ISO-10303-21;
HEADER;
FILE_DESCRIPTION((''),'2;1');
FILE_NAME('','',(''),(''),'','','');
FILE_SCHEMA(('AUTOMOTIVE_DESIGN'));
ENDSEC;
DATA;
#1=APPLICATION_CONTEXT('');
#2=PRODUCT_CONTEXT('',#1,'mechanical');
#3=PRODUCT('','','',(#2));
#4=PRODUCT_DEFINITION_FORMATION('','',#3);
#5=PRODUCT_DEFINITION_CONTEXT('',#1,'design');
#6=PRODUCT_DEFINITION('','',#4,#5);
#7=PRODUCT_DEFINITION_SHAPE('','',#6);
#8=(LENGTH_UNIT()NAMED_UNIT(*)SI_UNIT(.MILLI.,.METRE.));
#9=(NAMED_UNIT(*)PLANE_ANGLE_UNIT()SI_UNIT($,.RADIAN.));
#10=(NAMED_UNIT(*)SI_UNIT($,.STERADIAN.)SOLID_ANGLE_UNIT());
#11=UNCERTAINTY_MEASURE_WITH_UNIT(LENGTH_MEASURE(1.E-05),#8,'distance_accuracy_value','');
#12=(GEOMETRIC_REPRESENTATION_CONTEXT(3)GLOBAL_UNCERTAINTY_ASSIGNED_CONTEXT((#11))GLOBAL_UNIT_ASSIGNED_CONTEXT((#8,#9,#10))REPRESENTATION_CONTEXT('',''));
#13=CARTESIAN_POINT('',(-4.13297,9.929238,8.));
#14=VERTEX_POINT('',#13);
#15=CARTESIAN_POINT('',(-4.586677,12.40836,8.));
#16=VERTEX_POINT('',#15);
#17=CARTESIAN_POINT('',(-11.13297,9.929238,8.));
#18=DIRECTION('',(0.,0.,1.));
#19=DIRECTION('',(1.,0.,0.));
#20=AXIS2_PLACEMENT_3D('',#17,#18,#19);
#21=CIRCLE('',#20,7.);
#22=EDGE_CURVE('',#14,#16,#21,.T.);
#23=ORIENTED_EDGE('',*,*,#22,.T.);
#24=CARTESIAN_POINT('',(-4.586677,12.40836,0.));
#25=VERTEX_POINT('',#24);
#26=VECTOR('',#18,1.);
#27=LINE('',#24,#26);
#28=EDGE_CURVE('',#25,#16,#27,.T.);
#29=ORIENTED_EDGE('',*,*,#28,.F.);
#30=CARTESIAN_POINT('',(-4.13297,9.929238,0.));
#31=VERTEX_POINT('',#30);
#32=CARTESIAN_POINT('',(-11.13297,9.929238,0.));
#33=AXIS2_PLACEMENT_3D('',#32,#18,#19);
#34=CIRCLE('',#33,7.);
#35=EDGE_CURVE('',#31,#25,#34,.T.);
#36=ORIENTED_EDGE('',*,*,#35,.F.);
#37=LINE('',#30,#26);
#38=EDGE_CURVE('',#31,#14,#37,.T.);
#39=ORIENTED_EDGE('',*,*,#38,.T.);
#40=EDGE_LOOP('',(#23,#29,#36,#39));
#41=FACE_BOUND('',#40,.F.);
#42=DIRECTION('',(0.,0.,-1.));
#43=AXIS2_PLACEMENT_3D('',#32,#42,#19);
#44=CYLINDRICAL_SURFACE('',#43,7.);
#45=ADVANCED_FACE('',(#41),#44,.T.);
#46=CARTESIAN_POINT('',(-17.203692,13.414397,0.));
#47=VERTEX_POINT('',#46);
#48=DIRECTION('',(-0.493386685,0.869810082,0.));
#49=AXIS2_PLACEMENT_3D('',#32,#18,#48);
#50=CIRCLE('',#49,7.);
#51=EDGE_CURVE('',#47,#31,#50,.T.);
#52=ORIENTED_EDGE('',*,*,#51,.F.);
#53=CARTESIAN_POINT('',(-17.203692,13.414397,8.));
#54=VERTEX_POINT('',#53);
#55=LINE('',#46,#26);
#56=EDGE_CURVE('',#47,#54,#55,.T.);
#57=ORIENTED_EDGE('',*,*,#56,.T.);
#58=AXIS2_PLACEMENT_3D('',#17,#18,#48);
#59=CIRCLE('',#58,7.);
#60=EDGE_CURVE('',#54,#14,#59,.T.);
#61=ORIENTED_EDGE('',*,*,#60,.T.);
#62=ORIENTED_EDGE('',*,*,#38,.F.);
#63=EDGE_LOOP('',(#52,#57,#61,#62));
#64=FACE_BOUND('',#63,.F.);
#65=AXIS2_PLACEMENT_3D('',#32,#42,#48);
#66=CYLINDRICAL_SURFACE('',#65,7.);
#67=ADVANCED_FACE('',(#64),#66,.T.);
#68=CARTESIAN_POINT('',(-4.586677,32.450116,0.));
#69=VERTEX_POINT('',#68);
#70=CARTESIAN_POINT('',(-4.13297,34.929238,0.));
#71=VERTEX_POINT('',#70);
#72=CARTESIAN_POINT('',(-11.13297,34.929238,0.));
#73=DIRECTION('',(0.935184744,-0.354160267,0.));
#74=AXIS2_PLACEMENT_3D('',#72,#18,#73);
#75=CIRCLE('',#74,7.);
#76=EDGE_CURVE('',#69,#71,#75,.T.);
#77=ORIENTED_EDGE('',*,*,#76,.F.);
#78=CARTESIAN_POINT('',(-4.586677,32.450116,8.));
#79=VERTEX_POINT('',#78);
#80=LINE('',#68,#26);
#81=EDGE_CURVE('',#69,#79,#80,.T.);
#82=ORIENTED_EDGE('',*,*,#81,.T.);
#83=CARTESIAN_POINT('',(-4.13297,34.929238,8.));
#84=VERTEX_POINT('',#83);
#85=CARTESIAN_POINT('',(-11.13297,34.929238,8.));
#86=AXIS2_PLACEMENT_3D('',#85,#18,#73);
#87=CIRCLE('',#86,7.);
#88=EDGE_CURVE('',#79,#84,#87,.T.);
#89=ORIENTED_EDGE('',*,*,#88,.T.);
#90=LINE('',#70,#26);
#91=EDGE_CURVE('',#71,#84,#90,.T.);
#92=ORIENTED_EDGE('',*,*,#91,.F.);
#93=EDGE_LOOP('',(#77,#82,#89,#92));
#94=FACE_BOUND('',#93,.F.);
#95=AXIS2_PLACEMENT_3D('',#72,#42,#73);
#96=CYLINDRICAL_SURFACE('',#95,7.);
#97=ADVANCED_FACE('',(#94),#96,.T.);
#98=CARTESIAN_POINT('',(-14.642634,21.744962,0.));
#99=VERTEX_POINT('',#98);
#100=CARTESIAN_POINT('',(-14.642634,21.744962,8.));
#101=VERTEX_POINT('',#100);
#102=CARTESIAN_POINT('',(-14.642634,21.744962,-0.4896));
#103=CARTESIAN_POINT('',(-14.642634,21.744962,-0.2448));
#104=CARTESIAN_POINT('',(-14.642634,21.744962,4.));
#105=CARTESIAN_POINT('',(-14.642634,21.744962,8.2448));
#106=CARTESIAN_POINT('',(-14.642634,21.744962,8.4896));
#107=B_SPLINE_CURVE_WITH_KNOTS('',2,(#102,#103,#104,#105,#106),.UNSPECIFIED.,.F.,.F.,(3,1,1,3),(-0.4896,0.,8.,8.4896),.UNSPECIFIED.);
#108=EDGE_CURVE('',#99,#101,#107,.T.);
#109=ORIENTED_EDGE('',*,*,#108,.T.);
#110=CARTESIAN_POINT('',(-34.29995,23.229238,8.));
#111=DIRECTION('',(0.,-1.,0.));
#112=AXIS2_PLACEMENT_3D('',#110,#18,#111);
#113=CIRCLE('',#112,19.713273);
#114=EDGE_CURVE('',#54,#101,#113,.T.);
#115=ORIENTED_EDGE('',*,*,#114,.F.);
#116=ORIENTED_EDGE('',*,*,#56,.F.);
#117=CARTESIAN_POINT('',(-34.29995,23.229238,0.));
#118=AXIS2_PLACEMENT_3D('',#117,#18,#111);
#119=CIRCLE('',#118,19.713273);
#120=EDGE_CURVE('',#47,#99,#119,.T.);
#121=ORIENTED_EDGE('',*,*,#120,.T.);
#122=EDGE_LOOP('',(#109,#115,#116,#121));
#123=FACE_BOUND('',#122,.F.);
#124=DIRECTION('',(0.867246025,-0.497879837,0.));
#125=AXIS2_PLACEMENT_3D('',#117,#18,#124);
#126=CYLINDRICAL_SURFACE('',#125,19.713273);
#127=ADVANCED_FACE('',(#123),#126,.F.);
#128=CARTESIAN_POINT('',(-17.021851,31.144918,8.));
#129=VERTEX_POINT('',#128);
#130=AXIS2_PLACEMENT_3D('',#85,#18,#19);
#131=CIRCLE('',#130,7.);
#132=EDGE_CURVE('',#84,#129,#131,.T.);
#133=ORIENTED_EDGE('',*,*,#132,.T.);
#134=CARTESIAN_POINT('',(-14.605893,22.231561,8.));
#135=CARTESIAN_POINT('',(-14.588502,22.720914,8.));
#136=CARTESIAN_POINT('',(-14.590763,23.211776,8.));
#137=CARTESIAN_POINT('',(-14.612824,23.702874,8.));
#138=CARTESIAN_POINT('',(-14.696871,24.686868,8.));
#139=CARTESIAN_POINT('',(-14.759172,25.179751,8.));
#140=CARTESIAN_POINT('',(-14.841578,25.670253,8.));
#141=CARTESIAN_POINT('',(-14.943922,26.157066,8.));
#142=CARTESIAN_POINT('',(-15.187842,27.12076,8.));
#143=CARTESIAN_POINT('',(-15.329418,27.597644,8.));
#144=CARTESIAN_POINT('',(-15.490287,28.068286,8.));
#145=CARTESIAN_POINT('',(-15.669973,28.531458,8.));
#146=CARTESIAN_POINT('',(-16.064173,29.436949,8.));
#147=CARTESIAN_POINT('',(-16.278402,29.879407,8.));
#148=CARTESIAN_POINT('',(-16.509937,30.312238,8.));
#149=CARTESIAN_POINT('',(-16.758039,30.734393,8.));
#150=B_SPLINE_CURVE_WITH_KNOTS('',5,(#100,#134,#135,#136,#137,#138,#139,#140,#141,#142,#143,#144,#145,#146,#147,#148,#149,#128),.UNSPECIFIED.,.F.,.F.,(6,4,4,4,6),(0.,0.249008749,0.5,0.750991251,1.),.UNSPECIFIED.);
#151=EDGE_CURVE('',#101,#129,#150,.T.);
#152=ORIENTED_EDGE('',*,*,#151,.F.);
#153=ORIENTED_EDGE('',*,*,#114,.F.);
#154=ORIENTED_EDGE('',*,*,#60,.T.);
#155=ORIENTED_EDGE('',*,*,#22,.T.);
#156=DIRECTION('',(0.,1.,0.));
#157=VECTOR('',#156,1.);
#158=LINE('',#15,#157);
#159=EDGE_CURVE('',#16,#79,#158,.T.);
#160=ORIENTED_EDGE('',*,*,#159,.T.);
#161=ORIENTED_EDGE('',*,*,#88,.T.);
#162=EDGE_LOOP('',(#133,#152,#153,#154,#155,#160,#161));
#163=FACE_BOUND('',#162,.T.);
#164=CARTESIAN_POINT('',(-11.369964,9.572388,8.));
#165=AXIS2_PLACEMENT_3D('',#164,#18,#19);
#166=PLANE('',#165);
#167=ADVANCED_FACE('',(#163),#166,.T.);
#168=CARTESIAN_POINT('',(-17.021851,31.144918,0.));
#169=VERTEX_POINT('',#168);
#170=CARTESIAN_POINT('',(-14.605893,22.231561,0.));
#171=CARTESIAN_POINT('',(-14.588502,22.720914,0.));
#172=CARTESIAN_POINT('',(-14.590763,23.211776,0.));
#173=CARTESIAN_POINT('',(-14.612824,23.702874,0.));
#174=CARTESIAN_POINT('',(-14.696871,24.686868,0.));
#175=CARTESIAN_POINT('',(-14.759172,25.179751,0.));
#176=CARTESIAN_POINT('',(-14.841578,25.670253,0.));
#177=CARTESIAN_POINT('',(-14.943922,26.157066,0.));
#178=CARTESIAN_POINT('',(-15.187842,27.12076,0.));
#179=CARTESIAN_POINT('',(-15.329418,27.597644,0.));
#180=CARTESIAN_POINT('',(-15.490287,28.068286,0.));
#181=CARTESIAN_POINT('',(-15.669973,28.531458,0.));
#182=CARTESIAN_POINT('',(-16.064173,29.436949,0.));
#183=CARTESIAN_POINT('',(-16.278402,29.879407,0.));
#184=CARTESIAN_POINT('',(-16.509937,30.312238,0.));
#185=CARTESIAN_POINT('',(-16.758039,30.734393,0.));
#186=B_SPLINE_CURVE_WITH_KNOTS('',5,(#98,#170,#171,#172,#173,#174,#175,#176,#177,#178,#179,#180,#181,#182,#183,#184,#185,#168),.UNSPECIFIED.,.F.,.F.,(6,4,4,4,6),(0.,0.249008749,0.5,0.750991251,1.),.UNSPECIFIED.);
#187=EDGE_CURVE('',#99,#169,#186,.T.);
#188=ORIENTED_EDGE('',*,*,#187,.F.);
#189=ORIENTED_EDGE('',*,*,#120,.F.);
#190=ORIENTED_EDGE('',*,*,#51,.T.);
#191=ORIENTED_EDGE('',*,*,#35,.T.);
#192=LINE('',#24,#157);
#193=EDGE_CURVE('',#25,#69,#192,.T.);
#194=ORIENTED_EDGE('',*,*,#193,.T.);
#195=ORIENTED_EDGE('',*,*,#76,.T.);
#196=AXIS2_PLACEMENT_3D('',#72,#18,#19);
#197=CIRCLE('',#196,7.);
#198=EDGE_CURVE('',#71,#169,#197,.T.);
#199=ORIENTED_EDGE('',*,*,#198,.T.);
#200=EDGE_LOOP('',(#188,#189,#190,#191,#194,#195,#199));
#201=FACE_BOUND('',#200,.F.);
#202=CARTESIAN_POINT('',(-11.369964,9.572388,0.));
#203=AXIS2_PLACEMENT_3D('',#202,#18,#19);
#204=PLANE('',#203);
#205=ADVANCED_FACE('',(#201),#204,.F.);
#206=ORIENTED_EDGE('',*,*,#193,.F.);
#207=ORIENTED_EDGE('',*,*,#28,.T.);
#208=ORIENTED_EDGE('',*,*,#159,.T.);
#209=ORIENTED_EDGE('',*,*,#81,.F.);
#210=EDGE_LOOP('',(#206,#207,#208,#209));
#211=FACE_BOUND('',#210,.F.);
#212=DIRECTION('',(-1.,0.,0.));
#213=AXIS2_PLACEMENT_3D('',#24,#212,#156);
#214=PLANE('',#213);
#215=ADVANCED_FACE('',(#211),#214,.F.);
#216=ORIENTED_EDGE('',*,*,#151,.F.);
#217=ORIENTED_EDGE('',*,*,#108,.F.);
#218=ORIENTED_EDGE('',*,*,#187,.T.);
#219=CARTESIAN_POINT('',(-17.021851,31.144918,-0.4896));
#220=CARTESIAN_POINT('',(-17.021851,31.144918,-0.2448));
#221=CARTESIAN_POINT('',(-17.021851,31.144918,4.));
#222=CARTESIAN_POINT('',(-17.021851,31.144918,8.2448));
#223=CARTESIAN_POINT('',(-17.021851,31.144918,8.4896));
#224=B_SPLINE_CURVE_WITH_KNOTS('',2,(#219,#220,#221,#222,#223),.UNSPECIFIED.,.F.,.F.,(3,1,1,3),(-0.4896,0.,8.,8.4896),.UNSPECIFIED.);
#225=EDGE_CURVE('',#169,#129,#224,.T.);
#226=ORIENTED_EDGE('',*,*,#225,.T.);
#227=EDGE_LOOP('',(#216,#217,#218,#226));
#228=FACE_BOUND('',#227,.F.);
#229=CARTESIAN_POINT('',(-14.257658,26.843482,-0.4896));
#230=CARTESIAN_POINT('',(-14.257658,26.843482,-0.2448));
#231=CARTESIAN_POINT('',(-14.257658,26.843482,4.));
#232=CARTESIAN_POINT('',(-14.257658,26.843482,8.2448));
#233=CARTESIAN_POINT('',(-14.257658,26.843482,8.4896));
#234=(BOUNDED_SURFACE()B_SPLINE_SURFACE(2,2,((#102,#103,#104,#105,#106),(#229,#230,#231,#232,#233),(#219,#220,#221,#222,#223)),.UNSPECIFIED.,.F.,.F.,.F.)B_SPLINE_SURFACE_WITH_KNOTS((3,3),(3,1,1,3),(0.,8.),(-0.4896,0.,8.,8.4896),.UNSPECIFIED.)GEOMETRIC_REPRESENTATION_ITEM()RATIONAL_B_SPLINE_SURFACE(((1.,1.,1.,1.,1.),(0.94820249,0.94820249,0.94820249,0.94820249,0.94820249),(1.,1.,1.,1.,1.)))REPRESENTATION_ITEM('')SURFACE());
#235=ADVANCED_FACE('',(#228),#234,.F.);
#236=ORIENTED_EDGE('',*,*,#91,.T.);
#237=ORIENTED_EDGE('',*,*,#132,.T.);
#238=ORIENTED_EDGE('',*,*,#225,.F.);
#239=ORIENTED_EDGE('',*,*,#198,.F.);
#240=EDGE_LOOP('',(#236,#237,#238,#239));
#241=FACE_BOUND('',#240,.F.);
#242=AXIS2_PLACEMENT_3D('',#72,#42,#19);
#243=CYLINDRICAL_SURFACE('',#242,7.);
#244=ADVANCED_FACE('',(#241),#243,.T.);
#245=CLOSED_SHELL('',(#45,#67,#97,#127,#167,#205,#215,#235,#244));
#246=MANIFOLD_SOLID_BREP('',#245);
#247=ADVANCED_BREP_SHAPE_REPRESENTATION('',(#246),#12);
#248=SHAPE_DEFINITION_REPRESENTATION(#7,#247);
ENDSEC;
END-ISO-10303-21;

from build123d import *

# Parameters (mm, degrees)
F0_R     = 0.75
F1_DEPTH = 8
F2_R     = 19.7132732736
F3_R     = 15.261888986


with BuildPart() as f1:
    # F0 (on Top) → F1 (new body)
    with BuildSketch(Plane.XY):
        with BuildLine():
            Line((-14.586677067, 11.8301414847), (-14.586677067, 16.0179088211))
            ThreePointArc((-14.586677067, 16.0179088211), (-14.6560408436, 3.8804388779), (-4.1329702753, 9.929238244))
            ThreePointArc((-4.1329702753, 9.929238244), (-4.2473311453, 11.189386557), (-4.586677067, 12.4083601108))
            Line((-4.586677067, 12.4083601108), (-4.586677067, 11.8301414847))
            Line((-4.586677067, 11.8301414847), (-14.586677067, 11.8301414847))
        make_face()
        with BuildLine():
            Line((-14.586677067, 32.8301414847), (-14.586677067, 28.8405676668))
            ThreePointArc((-14.586677067, 28.8405676668), (-8.7563690973, 28.3450323814), (-4.586677067, 32.4501163771))
            Line((-4.586677067, 32.4501163771), (-4.586677067, 32.8301414847))
            Line((-4.586677067, 32.8301414847), (-14.586677067, 32.8301414847))
        make_face()
        with BuildLine():
            ThreePointArc((-4.586677067, 32.4501163771), (-8.7563690973, 28.3450323814), (-14.586677067, 28.8405676668))
            Line((-14.586677067, 28.8405676668), (-14.586677067, 16.0179088211))
            ThreePointArc((-14.586677067, 16.0179088211), (-8.7563690973, 16.5134441066), (-4.586677067, 12.4083601108))
            Line((-4.586677067, 12.4083601108), (-4.586677067, 32.4501163771))
        make_face()
        with BuildLine():
            ThreePointArc((-4.586677067, 32.4501163771), (-4.2473311453, 33.6690899309), (-4.1329702753, 34.929238244))
            ThreePointArc((-4.1329702753, 34.929238244), (-14.6560408436, 40.97803761), (-14.586677067, 28.8405676668))
            Line((-14.586677067, 28.8405676668), (-14.586677067, 32.8301414847))
            Line((-14.586677067, 32.8301414847), (-4.586677067, 32.8301414847))
            Line((-4.586677067, 32.8301414847), (-4.586677067, 32.4501163771))
        make_face()
        with Locations((-11.1329702753, 34.929238244)):
            Circle(F0_R, mode=Mode.SUBTRACT)
        with BuildLine():
            ThreePointArc((-4.586677067, 12.4083601108), (-8.7563690973, 16.5134441066), (-14.586677067, 16.0179088211))
            Line((-14.586677067, 16.0179088211), (-14.586677067, 11.8301414847))
            Line((-14.586677067, 11.8301414847), (-4.586677067, 11.8301414847))
            Line((-4.586677067, 11.8301414847), (-4.586677067, 12.4083601108))
        make_face()
        with Locations((-11.1329702753, 34.929238244)):
            Circle(F0_R)
    extrude(amount=F1_DEPTH)

    # F2
    f2_edges = [f1.edges().sort_by_distance(p)[0] for p in [
        (-14.586677, 16.017909, 4),
    ]]
    fillet(f2_edges, radius=F2_R)

    # F3
    f3_edges = [f1.edges().sort_by_distance(p)[0] for p in [
        (-14.586677, 28.840568, 4),
    ]]
    fillet(f3_edges, radius=F3_R)


solid = f1.part
